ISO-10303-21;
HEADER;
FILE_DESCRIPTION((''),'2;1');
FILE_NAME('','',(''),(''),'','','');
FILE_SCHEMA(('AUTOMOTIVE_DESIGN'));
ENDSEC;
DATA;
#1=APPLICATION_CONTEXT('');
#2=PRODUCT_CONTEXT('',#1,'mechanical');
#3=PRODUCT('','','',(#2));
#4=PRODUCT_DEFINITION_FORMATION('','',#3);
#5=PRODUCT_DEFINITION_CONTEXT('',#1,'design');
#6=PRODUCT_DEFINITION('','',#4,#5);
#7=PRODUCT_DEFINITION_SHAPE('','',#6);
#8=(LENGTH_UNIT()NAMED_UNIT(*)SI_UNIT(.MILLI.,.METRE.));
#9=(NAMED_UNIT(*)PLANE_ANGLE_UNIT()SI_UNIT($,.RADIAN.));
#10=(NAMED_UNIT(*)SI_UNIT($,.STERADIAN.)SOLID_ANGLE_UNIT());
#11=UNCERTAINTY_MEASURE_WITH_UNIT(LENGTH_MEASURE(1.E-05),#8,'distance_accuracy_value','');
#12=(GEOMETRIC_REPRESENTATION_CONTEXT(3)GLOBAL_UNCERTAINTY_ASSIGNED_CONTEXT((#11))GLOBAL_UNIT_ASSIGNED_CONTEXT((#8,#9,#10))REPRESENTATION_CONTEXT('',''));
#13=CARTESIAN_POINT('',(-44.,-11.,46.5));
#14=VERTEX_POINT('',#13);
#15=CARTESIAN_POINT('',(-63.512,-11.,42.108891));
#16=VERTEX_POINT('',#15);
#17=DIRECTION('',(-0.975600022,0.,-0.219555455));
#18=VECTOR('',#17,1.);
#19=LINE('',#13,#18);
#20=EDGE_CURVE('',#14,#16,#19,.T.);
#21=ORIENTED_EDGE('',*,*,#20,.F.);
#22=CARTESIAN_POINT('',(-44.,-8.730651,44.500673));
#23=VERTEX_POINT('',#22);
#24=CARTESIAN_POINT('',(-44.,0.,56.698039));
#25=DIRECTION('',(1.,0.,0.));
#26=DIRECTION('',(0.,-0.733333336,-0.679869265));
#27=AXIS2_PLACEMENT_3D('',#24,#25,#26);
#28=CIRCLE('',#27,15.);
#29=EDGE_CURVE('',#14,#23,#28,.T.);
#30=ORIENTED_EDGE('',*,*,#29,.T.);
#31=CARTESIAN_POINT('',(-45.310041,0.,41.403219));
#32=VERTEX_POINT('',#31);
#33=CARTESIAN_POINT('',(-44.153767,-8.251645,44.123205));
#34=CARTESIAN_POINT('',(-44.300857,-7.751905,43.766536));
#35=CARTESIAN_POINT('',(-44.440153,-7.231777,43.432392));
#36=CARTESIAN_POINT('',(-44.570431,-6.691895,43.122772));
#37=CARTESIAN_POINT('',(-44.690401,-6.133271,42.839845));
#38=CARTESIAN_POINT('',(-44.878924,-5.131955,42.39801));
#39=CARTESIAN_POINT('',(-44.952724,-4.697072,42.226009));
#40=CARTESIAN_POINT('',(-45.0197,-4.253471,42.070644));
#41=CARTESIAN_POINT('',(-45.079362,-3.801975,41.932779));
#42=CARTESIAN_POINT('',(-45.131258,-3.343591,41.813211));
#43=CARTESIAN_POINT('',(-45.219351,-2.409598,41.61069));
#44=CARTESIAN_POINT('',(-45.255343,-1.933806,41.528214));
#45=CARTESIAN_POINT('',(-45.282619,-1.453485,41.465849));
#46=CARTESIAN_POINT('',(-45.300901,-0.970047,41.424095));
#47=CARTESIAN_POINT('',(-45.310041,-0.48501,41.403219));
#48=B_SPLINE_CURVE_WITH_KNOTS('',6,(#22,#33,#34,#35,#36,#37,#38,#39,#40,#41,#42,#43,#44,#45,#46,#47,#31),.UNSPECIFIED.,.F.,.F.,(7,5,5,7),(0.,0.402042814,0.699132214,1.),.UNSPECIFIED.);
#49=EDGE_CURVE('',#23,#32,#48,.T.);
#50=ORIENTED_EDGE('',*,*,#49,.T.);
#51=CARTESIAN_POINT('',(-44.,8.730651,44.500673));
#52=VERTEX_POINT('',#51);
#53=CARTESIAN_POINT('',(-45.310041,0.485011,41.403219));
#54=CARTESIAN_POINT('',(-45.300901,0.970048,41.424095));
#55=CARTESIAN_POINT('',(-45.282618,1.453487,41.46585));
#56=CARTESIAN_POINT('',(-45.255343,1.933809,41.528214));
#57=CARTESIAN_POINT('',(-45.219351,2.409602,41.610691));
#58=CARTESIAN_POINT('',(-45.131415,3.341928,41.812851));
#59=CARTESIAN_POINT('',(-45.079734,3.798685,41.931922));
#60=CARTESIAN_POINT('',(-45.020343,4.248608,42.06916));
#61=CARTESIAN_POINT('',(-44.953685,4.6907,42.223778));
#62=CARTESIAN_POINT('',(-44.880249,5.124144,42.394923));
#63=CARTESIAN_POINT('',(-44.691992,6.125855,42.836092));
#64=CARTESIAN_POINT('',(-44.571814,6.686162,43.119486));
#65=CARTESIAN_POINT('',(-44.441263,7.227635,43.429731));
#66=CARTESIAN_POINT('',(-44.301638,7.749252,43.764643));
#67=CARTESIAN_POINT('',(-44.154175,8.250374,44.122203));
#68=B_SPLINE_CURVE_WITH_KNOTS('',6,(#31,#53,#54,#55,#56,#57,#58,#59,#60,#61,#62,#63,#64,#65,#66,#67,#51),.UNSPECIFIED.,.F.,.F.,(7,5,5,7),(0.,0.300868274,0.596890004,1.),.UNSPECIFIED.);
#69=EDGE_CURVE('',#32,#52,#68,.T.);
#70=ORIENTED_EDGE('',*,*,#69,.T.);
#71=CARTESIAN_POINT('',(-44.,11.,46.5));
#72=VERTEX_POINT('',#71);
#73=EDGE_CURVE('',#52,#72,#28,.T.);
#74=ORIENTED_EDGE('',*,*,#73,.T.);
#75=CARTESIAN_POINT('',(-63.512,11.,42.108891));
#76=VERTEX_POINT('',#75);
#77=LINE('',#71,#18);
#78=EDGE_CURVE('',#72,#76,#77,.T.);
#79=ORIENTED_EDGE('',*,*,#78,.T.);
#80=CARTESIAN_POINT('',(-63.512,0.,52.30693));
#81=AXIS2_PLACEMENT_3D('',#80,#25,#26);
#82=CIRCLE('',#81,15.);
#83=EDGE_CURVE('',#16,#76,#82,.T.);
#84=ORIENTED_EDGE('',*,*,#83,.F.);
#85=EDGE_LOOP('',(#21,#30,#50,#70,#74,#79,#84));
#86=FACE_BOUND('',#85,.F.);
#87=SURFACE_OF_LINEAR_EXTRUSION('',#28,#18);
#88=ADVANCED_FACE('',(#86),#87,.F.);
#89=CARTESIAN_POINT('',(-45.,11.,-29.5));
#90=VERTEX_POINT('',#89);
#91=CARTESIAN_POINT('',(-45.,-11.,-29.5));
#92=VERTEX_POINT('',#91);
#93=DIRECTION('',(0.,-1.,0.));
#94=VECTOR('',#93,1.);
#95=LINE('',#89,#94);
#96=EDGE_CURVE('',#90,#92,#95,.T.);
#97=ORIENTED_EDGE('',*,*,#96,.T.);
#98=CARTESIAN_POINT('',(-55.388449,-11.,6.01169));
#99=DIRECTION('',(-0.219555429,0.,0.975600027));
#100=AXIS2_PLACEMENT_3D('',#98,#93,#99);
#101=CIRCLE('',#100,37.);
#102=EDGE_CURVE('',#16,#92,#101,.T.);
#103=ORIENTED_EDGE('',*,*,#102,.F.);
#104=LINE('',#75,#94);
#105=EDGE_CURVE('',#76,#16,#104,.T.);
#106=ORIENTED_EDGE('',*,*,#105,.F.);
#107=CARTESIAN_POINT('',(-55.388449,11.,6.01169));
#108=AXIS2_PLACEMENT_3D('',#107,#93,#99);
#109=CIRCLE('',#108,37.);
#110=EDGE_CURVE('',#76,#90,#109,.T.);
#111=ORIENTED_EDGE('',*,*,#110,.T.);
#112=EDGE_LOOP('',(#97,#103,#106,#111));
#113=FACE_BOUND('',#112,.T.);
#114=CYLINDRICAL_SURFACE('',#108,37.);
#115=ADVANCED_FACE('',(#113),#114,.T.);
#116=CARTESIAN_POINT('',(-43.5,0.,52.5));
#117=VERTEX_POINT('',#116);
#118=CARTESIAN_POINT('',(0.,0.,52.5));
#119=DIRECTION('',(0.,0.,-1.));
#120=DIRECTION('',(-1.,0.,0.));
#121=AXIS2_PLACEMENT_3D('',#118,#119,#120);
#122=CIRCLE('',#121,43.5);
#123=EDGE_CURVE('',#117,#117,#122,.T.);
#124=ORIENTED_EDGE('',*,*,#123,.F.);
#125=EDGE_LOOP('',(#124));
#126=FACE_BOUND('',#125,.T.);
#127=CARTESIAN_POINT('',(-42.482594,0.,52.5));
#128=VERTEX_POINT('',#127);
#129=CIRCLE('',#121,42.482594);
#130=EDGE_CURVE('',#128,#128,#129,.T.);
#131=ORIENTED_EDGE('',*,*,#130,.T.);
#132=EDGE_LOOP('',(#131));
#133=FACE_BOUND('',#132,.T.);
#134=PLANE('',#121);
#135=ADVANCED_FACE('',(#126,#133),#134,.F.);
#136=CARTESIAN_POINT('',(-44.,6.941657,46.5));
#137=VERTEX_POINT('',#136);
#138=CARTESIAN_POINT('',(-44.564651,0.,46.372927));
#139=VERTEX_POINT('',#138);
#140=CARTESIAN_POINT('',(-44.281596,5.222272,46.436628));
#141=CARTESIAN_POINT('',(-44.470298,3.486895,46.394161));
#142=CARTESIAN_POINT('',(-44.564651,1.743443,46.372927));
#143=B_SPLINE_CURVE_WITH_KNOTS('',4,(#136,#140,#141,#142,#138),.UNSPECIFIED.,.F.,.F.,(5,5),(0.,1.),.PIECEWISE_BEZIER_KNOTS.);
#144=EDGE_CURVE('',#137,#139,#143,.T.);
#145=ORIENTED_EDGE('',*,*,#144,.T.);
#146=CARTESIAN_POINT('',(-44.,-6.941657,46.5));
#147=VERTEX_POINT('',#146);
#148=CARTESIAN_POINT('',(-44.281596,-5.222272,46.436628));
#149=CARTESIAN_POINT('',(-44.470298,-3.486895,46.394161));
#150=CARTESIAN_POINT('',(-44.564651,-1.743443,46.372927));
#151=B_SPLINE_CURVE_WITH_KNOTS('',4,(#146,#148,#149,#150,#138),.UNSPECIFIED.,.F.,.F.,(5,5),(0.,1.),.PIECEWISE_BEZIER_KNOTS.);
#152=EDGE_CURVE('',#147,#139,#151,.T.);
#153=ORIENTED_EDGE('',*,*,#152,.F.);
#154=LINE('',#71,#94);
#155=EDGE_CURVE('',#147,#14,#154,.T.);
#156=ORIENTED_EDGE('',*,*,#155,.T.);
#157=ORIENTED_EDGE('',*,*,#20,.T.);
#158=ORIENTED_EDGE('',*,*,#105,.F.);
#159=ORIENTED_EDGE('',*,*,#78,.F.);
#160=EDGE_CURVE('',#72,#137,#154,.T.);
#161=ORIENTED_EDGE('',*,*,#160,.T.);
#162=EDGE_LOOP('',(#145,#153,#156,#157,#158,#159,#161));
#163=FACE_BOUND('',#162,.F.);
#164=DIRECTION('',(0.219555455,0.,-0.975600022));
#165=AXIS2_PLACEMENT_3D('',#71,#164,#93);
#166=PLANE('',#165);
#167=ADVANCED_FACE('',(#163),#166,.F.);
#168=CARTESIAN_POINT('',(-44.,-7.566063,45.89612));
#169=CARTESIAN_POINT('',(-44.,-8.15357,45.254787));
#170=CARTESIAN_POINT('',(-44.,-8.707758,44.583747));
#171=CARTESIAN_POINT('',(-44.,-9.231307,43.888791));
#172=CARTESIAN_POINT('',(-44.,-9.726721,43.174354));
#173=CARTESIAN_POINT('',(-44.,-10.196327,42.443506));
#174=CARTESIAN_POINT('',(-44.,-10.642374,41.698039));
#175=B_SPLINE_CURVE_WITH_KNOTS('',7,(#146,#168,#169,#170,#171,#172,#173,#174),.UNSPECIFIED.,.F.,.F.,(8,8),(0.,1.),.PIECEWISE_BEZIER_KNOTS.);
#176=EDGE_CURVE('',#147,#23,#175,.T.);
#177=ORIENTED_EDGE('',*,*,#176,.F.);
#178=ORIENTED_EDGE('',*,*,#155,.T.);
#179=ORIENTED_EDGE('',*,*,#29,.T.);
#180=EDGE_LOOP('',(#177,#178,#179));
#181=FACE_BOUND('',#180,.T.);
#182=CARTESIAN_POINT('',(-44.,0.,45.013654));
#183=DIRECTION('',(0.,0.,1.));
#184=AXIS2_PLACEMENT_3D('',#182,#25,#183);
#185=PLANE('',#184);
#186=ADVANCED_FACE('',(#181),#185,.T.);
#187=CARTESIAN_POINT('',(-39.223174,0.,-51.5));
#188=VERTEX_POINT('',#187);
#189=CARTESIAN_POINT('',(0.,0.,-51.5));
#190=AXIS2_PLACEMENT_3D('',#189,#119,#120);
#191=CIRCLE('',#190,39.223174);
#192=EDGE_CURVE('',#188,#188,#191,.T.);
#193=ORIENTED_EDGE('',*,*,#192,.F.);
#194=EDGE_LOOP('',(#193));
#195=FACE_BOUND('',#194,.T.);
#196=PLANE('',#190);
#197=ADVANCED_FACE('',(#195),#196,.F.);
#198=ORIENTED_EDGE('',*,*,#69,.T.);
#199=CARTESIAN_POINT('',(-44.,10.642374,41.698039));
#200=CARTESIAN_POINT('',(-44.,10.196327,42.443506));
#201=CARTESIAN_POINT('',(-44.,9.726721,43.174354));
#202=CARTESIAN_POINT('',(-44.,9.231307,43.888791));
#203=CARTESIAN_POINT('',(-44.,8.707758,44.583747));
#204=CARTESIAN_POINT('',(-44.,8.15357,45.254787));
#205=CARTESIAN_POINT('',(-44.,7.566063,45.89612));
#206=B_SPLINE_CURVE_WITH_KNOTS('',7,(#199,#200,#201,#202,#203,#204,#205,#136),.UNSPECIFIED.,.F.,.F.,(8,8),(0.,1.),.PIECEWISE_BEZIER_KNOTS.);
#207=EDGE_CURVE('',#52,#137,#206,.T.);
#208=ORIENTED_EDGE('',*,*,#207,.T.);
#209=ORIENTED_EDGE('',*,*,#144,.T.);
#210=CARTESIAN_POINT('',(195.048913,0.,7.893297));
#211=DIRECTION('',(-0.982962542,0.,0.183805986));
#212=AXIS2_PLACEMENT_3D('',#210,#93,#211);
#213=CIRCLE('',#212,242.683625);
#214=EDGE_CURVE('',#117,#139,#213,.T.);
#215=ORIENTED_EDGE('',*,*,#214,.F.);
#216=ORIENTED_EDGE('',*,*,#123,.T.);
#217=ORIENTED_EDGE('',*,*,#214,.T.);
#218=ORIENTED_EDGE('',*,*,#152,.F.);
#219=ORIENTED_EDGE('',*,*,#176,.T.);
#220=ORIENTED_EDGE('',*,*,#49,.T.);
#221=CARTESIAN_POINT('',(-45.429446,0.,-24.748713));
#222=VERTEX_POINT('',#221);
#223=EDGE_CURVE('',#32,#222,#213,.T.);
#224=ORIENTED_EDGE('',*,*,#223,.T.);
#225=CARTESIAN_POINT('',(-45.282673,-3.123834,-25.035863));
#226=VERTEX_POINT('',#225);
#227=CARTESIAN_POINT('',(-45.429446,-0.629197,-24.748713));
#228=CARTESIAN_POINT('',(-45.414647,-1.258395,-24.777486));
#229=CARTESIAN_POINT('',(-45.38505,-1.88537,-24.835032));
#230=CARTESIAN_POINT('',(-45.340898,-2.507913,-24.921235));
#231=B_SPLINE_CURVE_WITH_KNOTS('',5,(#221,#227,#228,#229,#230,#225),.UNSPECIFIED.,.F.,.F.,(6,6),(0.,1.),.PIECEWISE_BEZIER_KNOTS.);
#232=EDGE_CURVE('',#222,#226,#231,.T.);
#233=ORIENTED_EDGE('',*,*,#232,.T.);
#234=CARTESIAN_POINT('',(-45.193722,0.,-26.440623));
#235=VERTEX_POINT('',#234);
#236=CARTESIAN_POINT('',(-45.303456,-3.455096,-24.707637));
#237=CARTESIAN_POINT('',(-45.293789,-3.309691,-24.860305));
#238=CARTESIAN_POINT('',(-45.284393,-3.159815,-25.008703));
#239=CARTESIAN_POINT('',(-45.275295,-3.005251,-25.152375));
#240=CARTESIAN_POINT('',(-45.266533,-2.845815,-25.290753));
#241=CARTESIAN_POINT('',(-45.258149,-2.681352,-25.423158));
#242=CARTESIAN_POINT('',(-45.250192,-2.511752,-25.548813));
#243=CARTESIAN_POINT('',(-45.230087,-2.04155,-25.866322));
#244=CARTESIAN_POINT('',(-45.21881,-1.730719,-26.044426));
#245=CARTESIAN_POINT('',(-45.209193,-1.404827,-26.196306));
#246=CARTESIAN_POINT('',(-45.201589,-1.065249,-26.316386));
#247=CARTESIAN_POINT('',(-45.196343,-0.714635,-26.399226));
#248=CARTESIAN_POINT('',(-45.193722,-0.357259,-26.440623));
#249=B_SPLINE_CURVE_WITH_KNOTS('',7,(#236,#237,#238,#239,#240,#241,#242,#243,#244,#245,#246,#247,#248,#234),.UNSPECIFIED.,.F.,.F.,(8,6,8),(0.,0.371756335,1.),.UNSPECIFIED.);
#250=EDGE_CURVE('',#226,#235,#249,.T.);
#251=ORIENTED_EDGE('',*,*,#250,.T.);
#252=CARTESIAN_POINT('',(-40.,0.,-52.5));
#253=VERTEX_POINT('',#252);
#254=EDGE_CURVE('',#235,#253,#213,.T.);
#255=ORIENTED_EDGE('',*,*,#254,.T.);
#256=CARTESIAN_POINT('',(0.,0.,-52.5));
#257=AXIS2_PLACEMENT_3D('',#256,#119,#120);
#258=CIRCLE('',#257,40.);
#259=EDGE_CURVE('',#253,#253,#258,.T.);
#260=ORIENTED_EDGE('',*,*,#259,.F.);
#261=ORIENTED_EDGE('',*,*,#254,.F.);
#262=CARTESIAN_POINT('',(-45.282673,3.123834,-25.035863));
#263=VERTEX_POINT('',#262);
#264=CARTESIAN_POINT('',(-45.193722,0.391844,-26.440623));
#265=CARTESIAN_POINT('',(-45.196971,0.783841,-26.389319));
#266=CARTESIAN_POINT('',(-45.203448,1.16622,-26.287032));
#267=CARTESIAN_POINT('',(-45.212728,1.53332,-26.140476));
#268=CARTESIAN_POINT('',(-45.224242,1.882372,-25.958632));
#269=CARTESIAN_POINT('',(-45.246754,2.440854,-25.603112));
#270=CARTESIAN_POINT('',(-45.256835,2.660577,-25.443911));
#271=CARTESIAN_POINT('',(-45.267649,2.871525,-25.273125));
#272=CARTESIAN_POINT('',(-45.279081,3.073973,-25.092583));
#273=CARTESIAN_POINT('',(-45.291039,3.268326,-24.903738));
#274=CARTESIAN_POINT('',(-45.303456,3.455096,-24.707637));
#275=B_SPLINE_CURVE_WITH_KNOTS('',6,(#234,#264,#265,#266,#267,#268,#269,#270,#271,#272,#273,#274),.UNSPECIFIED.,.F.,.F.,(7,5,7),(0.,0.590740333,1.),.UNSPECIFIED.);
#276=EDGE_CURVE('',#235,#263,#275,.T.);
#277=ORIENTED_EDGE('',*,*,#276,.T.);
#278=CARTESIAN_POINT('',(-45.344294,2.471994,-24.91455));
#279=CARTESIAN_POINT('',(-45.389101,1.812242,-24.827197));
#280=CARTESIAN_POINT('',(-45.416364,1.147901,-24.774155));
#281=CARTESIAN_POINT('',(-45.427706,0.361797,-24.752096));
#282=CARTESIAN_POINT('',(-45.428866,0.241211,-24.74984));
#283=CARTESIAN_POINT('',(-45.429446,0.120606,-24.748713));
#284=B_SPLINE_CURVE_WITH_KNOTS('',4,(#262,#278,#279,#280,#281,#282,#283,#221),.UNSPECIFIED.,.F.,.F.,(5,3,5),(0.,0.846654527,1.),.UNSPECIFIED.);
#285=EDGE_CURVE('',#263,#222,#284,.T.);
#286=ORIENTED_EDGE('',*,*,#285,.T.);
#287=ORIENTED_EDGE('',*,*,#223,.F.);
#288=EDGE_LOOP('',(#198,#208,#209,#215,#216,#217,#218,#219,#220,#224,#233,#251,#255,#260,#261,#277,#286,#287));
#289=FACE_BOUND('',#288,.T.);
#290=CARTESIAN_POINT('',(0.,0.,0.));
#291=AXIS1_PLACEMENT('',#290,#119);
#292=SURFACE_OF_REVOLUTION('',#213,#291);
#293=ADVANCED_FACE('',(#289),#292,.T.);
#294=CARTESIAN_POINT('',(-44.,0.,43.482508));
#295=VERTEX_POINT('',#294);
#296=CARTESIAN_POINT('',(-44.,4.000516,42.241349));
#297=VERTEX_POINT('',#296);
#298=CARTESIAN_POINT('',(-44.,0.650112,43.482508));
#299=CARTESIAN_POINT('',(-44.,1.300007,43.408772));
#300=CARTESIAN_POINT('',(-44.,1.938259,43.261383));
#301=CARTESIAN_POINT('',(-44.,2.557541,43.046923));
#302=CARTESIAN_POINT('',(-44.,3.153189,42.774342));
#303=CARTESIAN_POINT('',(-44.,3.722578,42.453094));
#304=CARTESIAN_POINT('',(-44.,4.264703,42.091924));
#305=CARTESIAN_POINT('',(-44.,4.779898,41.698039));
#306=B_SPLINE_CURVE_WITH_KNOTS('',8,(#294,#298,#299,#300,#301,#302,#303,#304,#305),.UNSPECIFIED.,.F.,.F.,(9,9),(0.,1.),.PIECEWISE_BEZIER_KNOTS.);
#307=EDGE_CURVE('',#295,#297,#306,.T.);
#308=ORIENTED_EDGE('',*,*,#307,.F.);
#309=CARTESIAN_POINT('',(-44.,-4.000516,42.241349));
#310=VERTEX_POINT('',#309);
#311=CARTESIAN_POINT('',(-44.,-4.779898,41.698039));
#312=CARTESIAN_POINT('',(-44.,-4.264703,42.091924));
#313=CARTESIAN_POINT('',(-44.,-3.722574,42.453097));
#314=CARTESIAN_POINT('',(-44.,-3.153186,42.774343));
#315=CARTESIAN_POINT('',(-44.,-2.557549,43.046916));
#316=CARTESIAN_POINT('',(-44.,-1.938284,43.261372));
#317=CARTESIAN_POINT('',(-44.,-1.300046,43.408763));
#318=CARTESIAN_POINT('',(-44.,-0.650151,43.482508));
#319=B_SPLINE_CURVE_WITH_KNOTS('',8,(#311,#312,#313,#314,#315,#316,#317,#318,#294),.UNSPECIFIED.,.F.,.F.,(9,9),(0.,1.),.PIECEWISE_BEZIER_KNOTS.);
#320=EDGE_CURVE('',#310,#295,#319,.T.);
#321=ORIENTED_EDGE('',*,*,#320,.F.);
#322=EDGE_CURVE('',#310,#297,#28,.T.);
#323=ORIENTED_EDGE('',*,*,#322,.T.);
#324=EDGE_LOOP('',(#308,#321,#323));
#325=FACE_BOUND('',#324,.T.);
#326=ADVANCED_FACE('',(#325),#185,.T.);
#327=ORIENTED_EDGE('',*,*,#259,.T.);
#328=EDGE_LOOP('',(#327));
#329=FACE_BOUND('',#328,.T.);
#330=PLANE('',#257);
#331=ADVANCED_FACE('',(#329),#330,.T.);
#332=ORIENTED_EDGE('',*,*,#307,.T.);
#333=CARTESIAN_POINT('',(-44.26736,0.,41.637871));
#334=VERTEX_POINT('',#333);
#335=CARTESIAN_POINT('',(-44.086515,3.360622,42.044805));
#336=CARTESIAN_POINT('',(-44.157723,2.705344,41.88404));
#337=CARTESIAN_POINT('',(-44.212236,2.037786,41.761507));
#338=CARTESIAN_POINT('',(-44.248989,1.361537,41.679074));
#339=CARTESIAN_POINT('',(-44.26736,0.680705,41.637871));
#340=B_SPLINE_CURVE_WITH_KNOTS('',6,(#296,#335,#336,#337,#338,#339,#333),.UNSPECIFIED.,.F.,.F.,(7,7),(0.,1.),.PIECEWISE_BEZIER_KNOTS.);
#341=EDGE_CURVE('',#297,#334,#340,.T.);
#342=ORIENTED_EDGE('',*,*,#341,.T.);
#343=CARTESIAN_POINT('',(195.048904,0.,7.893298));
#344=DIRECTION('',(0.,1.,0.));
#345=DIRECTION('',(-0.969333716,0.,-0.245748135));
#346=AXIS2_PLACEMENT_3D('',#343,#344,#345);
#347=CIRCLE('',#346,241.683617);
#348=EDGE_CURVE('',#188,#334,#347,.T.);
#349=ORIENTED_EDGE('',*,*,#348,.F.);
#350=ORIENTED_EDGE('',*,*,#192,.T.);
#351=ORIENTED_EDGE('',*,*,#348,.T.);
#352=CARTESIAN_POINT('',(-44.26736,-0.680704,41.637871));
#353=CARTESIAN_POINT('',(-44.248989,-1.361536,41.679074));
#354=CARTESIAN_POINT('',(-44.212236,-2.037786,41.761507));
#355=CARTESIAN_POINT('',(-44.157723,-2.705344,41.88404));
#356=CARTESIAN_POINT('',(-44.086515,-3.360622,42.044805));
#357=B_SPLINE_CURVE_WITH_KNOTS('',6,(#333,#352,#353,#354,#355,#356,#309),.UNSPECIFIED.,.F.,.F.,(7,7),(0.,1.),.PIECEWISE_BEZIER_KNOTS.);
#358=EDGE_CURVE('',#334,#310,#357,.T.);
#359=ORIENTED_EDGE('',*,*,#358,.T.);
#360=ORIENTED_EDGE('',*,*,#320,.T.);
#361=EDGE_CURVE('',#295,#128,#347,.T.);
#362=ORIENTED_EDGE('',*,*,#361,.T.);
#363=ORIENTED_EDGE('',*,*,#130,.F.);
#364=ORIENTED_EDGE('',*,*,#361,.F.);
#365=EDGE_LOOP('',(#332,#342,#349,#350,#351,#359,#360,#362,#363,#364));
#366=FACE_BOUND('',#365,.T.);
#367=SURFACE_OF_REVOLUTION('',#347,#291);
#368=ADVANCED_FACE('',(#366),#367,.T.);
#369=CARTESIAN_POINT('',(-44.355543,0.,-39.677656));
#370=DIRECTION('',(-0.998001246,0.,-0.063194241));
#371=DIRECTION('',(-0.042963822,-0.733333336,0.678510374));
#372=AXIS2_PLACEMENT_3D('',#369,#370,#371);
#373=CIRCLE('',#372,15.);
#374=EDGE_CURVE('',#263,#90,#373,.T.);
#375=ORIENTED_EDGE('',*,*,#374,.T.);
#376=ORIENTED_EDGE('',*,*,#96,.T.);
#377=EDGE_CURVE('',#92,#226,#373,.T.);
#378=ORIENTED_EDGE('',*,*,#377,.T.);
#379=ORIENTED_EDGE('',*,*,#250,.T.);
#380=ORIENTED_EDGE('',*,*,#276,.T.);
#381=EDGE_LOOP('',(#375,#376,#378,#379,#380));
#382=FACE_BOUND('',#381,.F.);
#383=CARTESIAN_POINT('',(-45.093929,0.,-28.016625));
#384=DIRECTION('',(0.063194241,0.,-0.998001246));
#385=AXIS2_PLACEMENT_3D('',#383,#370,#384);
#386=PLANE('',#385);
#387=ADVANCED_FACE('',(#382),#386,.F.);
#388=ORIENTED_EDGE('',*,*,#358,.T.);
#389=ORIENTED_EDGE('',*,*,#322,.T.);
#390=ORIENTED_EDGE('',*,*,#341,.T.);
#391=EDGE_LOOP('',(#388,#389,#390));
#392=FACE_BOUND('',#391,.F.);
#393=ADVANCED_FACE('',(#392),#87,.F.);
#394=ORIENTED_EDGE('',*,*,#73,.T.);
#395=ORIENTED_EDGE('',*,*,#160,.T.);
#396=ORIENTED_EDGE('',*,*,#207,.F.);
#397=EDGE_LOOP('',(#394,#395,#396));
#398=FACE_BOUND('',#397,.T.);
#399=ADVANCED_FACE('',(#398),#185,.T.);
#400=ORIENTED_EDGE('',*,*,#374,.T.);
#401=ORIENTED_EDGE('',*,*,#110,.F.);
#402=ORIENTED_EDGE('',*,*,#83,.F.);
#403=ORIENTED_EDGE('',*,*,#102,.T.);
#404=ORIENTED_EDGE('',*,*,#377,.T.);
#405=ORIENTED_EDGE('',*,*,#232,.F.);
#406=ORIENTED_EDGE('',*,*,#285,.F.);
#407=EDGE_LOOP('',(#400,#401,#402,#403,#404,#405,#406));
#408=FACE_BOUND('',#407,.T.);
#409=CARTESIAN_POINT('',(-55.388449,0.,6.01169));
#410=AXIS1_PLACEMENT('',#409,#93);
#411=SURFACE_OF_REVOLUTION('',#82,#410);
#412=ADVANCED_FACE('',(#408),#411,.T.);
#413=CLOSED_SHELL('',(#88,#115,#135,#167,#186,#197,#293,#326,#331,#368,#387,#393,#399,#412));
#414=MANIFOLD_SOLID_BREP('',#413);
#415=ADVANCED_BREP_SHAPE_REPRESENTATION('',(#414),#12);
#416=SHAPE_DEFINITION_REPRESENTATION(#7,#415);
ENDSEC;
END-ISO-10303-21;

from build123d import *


with BuildPart() as f1:
    # F0 (on Front) → F1 (revolve)
    with BuildSketch(Plane.XZ):
        with BuildLine():
            Line((-42.482594, 52.5), (-43.5, 52.5))
            ThreePointArc((-43.5, 52.5), (-47.5, -0.191667), (-40, -52.5))
            Line((-40, -52.5), (0, -52.5))
            Line((0, -52.5), (0, -51.5))
            Line((0, -51.5), (-39.223174, -51.5))
            ThreePointArc((-39.223174, -51.5), (-46.516105, 0.322511), (-42.482594, 52.5))
        make_face()
    revolve(axis=Axis((0, 0, 0), (0, 0, -1)))

    # F5: sweep along a path in F2
    with BuildLine(Plane.XZ) as f5_path:
        Line((-44, 46.5), (-63.512, 42.108891))
        ThreePointArc((-63.512, 42.108891), (-91.210799, -3.248939), (-45, -29.5))
    # F4 (on offset) → F5 (sweep)
    with BuildSketch(Plane.YZ.offset(-44)):
        with BuildLine():
            ThreePointArc((-11, 46.5), (0, 41.698039), (11, 46.5))
            Line((11, 46.5), (-11, 46.5))
        make_face()
    sweep(path=f5_path.line)


solid = f1.part
